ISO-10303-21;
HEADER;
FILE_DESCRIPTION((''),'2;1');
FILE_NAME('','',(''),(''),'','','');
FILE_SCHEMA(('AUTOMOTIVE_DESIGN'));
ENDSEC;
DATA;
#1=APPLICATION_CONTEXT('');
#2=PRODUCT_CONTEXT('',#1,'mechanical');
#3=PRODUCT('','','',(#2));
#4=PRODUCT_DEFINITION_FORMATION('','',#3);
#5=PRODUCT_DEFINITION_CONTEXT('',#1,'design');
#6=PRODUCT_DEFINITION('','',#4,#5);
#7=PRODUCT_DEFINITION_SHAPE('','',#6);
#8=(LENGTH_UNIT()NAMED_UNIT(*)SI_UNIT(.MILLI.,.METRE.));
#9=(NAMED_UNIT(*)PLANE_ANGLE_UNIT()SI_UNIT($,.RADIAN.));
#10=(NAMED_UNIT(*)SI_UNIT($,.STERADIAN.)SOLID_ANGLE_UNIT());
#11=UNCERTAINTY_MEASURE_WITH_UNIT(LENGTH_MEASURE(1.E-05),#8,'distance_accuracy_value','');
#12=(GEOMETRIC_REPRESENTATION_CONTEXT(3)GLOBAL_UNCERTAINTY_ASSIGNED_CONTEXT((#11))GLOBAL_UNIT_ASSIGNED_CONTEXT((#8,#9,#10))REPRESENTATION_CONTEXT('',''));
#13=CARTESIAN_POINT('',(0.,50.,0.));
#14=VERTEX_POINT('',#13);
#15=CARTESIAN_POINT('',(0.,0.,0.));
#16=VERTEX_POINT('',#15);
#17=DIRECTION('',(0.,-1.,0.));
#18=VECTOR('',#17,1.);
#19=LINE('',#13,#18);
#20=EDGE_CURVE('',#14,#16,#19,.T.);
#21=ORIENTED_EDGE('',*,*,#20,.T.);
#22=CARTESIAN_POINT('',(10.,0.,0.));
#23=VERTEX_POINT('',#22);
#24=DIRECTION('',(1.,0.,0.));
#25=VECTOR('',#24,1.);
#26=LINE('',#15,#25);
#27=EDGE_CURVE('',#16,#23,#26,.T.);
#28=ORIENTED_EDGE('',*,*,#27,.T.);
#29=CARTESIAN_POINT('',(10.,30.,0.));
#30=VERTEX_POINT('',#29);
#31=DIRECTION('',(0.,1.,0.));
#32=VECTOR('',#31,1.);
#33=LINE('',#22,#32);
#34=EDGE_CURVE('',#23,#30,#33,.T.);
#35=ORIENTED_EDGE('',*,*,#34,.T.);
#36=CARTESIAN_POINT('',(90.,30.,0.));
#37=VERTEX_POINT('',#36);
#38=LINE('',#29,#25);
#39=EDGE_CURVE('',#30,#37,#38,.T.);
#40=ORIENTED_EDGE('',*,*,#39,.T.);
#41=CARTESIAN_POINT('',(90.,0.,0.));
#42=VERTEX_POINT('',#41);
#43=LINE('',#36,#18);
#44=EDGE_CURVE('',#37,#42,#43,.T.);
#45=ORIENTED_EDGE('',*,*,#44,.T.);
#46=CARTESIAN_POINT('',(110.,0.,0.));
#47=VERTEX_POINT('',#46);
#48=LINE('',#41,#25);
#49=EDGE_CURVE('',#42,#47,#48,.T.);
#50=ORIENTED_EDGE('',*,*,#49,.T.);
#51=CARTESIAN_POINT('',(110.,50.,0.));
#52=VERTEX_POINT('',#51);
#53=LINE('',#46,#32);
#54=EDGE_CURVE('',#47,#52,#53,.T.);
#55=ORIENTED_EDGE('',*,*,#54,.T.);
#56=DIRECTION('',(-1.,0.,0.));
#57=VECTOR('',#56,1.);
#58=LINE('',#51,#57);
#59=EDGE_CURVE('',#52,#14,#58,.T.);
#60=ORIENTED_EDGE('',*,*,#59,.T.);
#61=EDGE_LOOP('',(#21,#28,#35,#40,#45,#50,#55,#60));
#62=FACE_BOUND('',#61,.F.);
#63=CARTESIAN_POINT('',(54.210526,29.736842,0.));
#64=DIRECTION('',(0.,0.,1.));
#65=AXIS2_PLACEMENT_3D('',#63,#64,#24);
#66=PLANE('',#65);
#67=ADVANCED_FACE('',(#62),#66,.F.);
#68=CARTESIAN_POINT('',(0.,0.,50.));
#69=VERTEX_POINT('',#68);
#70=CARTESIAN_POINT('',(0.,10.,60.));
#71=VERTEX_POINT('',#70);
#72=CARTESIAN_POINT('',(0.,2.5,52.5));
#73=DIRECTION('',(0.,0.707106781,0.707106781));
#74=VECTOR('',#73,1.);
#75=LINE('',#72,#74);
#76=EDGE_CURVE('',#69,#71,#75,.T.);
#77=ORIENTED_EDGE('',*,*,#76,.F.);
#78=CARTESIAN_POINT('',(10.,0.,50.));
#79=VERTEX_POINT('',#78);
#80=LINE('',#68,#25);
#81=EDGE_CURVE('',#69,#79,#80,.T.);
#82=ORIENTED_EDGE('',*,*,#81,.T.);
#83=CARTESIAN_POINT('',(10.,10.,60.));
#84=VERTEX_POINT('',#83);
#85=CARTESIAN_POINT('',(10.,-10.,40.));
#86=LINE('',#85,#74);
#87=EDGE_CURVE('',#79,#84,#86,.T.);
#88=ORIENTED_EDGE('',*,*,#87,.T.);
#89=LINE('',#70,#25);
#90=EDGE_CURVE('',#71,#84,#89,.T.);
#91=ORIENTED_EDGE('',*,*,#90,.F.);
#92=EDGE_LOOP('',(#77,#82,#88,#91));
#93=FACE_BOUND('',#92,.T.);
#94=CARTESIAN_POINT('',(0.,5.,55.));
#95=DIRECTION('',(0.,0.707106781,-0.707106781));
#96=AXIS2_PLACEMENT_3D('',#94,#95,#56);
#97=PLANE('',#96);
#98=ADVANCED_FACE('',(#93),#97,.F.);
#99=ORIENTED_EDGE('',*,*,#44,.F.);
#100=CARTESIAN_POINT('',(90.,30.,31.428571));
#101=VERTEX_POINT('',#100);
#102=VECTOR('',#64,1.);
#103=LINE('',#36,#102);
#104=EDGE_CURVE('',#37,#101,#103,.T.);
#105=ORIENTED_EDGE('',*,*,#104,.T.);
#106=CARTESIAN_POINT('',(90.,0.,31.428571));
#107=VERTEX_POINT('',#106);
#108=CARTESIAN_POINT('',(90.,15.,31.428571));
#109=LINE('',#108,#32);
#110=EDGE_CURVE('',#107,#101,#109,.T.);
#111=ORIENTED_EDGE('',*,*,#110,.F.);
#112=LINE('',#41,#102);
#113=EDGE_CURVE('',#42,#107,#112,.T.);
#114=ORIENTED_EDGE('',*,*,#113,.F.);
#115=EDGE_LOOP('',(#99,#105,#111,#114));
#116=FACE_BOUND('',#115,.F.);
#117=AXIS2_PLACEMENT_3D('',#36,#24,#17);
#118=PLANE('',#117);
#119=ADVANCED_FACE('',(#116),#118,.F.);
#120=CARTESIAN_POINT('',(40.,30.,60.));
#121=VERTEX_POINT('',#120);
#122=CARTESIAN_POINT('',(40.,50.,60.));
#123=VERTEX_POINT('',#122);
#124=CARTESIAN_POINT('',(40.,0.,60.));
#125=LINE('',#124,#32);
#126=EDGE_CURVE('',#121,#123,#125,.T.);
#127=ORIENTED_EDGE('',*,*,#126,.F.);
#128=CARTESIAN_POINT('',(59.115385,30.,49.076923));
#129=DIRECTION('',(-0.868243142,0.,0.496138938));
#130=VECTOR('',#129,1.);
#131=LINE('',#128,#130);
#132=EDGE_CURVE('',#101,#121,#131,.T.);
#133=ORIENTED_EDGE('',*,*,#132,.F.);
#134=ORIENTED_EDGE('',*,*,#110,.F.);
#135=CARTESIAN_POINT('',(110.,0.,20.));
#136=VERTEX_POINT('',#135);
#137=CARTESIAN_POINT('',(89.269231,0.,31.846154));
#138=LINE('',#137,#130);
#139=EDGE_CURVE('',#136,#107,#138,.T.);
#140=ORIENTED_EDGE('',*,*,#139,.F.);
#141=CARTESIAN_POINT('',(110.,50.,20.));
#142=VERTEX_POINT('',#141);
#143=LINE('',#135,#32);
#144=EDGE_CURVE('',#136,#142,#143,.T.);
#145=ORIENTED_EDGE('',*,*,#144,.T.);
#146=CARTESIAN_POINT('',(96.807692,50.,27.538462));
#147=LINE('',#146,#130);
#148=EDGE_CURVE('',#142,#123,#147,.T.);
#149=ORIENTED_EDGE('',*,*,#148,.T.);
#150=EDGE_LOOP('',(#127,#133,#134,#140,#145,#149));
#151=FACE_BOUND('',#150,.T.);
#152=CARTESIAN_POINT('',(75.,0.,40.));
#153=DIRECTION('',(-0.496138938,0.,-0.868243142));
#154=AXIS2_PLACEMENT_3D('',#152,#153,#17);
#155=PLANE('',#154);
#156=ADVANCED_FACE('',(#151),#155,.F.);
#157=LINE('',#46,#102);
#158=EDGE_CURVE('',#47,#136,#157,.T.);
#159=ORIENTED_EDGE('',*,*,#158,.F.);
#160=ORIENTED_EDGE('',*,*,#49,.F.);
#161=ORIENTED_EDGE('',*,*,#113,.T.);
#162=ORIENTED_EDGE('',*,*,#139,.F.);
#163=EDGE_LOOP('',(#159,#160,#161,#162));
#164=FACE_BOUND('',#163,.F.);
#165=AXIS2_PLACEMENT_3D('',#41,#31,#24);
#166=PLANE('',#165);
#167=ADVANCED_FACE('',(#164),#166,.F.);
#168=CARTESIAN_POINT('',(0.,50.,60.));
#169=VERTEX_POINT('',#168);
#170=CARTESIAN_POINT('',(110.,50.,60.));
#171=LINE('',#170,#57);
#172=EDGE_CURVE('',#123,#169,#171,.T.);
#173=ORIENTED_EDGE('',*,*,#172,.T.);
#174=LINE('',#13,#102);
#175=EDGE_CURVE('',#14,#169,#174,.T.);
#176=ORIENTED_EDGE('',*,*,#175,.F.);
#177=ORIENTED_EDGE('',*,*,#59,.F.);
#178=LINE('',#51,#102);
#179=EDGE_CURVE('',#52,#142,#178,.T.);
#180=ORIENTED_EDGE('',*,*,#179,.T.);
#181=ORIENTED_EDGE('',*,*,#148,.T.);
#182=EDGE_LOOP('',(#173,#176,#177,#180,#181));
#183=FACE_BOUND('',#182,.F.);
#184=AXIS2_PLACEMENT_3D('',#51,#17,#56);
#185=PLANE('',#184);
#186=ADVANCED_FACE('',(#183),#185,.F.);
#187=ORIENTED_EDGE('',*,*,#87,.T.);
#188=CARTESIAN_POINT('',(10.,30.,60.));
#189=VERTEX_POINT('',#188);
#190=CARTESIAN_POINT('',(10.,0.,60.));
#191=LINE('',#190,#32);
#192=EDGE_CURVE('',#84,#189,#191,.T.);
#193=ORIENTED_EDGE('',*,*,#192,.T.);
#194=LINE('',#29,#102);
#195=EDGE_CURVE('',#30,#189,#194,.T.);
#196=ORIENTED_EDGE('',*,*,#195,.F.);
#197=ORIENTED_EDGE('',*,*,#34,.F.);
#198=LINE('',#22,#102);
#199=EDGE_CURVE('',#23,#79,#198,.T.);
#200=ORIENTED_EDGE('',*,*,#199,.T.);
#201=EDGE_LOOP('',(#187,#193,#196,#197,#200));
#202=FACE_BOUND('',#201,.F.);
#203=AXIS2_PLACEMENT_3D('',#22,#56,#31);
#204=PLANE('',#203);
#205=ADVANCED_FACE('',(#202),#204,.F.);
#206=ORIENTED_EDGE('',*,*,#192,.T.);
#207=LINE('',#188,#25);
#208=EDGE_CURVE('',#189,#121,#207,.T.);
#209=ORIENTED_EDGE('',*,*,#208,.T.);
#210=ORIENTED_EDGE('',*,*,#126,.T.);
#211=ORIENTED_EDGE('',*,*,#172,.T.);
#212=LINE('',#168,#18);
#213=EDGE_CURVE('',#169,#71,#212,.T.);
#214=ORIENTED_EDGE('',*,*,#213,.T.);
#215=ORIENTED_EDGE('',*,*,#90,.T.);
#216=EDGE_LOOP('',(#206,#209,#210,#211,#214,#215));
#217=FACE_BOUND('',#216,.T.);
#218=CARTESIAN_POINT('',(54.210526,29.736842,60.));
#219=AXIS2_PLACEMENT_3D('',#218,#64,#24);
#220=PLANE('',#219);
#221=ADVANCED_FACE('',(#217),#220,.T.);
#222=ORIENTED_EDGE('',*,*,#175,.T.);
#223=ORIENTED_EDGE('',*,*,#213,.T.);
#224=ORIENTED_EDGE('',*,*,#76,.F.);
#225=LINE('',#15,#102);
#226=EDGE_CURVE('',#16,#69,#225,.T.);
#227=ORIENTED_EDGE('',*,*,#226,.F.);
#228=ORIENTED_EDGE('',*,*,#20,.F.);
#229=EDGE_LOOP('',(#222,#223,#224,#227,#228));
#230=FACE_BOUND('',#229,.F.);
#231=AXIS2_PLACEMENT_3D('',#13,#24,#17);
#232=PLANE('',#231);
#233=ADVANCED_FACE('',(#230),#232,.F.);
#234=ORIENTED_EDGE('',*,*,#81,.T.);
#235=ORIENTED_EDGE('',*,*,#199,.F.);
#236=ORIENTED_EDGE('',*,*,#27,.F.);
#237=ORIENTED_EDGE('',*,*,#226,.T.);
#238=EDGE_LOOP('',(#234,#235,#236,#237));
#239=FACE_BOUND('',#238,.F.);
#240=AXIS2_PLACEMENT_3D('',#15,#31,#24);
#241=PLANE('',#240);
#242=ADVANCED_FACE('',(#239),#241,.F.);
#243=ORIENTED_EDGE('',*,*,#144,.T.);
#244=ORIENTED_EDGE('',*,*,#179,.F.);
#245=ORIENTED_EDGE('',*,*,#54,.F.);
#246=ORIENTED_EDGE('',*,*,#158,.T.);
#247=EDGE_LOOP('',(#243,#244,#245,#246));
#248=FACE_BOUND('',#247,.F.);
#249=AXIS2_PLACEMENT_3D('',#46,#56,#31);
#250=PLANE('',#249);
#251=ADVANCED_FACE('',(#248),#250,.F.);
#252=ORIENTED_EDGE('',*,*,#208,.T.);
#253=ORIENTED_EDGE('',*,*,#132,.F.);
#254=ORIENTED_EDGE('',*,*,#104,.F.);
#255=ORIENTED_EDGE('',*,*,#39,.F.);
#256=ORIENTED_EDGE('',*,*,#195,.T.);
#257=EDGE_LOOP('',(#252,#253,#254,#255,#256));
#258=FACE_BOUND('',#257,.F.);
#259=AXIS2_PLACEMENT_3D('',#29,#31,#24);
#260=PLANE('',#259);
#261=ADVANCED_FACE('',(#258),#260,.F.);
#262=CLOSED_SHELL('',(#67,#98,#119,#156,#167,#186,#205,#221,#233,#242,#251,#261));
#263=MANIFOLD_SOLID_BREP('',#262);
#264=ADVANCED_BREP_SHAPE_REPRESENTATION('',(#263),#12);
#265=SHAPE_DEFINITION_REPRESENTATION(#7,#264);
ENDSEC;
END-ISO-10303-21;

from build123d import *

# Parameters (mm, degrees)
F1_DEPTH = 60
F2_SIZE  = 10
F3_SIZE2 = 70
F3_SIZE  = 40


with BuildPart() as f1:
    # F0 (on Top) → F1 (new body)
    with BuildSketch(Plane.XY):
        Polygon((0, 50), (0, 0), (10, 0), (10, 30), (90, 30), (90, 0), (110, 0), (110, 50), align=None)
    extrude(amount=F1_DEPTH)

    # F2
    f2_edges = [f1.edges().sort_by_distance(p)[0] for p in [
        (5, 0, 60),
    ]]
    chamfer(f2_edges, length=F2_SIZE)

    # F3
    f3_edges = [f1.edges().sort_by_distance(p)[0] for p in [
        (110, 25, 60),
    ]]
    f3_side = f1.faces().sort_by_distance((110, 25, 30))[0]
    chamfer(f3_edges, length=F3_SIZE, length2=F3_SIZE2, reference=f3_side)


solid = f1.part
